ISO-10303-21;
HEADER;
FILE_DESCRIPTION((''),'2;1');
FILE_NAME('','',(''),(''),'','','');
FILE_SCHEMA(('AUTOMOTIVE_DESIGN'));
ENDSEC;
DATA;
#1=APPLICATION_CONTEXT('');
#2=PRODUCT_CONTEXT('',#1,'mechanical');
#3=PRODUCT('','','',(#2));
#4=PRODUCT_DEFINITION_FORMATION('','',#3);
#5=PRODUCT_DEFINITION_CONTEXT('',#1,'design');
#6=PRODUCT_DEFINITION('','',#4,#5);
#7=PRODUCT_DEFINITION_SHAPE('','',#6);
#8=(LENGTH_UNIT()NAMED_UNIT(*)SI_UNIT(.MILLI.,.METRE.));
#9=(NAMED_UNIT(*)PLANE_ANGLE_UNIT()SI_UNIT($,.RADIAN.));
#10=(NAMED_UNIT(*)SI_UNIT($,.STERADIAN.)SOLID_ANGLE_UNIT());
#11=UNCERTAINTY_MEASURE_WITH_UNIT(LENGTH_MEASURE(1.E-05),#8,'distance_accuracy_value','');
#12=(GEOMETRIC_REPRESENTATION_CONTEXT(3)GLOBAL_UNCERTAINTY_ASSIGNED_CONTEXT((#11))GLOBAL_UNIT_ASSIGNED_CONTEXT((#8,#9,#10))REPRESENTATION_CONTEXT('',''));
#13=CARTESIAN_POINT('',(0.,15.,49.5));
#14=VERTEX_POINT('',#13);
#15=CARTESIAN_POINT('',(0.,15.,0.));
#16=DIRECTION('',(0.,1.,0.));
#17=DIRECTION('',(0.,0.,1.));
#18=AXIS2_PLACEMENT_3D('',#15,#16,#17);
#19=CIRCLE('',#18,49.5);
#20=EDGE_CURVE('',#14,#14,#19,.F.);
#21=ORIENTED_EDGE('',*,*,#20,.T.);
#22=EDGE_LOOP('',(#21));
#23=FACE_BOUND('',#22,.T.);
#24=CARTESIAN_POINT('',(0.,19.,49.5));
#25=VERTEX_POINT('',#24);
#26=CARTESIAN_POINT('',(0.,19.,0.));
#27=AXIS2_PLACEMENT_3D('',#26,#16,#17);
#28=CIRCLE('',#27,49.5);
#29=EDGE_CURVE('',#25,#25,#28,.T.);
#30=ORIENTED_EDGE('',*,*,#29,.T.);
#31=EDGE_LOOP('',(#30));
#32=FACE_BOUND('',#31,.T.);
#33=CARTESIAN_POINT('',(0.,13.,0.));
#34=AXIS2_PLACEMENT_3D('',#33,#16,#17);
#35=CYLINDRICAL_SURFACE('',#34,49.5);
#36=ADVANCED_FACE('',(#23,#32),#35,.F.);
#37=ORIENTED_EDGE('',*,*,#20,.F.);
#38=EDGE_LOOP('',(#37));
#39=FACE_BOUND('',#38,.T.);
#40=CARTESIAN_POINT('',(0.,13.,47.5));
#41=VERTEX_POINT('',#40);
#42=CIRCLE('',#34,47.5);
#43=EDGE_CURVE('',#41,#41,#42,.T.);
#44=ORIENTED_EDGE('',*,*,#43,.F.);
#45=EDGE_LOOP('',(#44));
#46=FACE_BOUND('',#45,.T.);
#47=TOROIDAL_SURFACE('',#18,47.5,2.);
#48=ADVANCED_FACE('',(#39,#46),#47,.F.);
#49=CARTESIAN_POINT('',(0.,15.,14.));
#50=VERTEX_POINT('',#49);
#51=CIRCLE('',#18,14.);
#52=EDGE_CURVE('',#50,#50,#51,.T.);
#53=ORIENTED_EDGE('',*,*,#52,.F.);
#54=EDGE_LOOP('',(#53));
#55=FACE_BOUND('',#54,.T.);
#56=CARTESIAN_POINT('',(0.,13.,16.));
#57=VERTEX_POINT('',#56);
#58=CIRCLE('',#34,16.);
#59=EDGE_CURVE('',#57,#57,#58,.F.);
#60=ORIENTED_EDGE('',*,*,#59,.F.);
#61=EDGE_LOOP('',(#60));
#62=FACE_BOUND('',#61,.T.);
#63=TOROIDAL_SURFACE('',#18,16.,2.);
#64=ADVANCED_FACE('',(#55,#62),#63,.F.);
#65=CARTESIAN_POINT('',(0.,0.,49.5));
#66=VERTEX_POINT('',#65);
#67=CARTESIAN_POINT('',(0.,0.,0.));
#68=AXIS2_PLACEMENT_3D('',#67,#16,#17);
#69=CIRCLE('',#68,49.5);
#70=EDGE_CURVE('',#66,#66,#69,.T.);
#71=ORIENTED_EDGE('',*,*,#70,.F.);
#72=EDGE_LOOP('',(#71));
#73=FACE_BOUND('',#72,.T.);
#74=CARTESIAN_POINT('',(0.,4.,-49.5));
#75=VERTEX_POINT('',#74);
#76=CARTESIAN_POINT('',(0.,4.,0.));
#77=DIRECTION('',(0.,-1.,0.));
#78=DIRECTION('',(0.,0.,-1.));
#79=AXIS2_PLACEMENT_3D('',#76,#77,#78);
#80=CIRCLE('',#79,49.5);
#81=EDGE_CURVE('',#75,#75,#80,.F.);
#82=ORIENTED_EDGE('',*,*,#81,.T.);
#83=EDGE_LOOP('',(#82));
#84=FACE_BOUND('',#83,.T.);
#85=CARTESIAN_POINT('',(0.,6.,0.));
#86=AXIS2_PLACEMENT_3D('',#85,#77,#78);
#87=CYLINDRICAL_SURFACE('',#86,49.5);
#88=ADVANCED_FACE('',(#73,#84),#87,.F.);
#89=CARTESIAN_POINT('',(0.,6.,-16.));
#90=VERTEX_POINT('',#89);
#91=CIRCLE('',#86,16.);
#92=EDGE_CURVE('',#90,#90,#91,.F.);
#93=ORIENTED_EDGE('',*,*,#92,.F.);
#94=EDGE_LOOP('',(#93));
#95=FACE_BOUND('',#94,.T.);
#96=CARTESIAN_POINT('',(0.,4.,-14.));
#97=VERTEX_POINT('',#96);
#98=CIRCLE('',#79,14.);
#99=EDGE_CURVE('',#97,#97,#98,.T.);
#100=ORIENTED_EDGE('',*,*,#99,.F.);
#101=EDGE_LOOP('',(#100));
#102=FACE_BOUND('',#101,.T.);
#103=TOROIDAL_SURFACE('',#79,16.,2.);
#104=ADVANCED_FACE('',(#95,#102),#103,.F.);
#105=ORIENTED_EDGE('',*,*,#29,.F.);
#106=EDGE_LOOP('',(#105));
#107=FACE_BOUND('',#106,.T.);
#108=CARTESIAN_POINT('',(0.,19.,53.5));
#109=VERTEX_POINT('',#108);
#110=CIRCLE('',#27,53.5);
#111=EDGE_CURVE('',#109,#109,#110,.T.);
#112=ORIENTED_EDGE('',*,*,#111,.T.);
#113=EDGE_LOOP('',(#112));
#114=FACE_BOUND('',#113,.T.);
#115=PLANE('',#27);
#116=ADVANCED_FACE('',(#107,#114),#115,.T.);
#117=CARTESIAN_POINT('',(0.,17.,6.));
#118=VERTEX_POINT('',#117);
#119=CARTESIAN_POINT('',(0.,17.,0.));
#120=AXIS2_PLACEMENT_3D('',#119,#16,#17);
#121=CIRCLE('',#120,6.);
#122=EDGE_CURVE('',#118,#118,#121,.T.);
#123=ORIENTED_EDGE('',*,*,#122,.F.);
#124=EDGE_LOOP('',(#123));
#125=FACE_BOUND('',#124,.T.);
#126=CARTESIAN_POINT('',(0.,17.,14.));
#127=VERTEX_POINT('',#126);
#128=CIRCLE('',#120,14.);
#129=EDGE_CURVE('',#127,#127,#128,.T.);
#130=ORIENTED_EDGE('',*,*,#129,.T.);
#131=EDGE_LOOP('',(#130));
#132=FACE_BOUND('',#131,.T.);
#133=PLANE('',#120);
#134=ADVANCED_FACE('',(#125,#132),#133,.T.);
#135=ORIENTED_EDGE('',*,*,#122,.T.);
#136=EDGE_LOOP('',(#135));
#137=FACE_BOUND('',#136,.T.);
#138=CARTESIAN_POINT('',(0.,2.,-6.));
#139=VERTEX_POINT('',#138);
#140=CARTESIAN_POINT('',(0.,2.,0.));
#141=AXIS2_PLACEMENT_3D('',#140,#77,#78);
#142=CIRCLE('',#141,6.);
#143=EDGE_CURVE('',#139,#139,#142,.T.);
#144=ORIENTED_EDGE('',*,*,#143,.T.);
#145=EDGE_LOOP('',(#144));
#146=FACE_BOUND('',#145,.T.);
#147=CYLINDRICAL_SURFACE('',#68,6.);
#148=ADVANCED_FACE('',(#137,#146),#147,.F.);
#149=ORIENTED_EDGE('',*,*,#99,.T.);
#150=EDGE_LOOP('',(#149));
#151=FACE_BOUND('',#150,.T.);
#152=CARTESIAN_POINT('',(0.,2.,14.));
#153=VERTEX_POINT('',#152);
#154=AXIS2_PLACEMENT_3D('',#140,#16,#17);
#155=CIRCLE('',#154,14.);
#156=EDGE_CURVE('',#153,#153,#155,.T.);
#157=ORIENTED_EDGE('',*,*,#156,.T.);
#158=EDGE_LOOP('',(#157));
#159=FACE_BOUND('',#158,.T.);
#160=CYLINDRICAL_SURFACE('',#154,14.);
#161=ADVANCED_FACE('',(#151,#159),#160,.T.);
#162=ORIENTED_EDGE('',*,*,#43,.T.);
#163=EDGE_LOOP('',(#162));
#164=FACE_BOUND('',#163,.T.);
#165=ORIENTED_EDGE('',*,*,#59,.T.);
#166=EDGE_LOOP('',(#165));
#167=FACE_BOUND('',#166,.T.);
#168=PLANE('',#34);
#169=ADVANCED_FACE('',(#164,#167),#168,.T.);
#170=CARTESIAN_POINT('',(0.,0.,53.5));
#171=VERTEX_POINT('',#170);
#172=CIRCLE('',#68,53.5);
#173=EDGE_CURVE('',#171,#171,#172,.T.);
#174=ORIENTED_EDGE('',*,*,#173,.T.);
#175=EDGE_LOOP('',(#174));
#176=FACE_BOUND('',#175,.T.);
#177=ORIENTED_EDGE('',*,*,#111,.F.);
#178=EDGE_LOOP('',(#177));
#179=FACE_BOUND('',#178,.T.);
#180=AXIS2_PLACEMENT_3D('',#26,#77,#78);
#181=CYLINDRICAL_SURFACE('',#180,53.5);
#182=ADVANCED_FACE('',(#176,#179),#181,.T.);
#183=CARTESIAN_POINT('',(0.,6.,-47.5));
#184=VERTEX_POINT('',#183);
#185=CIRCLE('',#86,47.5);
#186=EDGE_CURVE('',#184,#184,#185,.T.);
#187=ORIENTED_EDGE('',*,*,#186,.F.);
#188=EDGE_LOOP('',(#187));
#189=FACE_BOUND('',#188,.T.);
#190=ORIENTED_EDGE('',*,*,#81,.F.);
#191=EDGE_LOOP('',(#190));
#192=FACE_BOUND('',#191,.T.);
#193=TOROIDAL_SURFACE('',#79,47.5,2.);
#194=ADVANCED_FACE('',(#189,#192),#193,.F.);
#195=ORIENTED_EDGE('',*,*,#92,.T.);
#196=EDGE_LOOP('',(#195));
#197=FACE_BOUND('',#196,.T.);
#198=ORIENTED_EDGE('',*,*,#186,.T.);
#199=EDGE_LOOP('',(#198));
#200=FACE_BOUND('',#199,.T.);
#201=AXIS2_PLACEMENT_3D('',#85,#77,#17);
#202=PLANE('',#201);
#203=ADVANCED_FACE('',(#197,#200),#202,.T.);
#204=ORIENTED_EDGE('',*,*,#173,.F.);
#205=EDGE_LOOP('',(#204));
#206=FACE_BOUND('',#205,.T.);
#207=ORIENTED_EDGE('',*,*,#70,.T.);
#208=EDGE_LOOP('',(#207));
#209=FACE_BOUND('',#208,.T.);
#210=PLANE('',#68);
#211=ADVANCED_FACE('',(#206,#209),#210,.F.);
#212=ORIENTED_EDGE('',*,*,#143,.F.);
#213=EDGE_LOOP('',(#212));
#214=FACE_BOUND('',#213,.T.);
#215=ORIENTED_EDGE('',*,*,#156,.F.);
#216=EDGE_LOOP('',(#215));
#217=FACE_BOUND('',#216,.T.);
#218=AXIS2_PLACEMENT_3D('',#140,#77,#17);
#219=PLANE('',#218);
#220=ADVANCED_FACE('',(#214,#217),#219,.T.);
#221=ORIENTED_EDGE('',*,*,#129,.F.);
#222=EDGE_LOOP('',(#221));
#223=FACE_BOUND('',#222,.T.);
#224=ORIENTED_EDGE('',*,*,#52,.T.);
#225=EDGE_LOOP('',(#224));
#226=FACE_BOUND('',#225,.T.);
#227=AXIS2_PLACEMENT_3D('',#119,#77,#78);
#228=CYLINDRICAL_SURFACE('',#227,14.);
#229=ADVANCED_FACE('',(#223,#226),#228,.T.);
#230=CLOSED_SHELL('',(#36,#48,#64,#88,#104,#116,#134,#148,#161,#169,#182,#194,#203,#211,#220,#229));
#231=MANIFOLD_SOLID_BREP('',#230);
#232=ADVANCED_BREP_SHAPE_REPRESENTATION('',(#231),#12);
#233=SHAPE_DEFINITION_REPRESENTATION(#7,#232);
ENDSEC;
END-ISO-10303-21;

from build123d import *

# Parameters (mm, degrees)
SKETCH1_R            = 53.5
BOSS_EXTRUDE1_DEPTH  = 19
SKETCH2_R            = 49.5
CUT_EXTRUDE1_DEPTH   = 6
FILLET1_R            = 2
SKETCH3_R            = 14
BOSS_EXTRUDE2_DEPTH  = 4
FILLET2_R            = 2
FILLET1_OF_MIRROR1_R = 2
FILLET2_OF_MIRROR1_R = 2
SKETCH5_R            = 6
CUT_EXTRUDE2_DEPTH   = 18


with BuildPart() as part:
    # Sketch1 → Boss-Extrude1 (new body)
    with BuildSketch(Plane(origin=(0, 0, 0), x_dir=(1, 0, 0), z_dir=(0, 1, 0))):
        Circle(SKETCH1_R)
    extrude(amount=BOSS_EXTRUDE1_DEPTH)

    # Sketch2 → Cut-Extrude1 (cut)
    with BuildSketch(Plane(origin=(0, 19, 0), x_dir=(1, 0, 0), z_dir=(0, 1, 0))):
        Circle(SKETCH2_R)
    cut_extrude1 = extrude(amount=-CUT_EXTRUDE1_DEPTH, mode=Mode.SUBTRACT)

    # Fillet1
    fillet1_edges = [part.edges().sort_by_distance(p)[0] for p in [
        (-49.5, 13, 0),
    ]]
    fillet(fillet1_edges, radius=FILLET1_R)

    # Sketch3 → Boss-Extrude2 (add)
    with BuildSketch(Plane(origin=(0, 13, 0), x_dir=(1, 0, 0), z_dir=(0, 1, 0))):
        Circle(SKETCH3_R)
    boss_extrude2 = extrude(amount=BOSS_EXTRUDE2_DEPTH)

    # Fillet2
    fillet2_edges = [part.edges().sort_by_distance(p)[0] for p in [
        (-14, 13, 0),
    ]]
    fillet(fillet2_edges, radius=FILLET2_R)

    # Mirror1: Cut-Extrude1, Boss-Extrude2 across plane
    add(cut_extrude1.mirror(Plane.ZX.offset(9.5)), mode=Mode.SUBTRACT)
    add(boss_extrude2.mirror(Plane.ZX.offset(9.5)))

    # Fillet1 of Mirror1
    fillet1_of_mirror1_edges = [part.edges().sort_by_distance(p)[0] for p in [
        (-49.5, 6, 0),
    ]]
    fillet(fillet1_of_mirror1_edges, radius=FILLET1_OF_MIRROR1_R)

    # Fillet2 of Mirror1
    fillet2_of_mirror1_edges = [part.edges().sort_by_distance(p)[0] for p in [
        (-14, 6, 0),
    ]]
    fillet(fillet2_of_mirror1_edges, radius=FILLET2_OF_MIRROR1_R)

    # Sketch5 → Cut-Extrude2 (cut, through all)
    with BuildSketch(Plane(origin=(0, 17, 0), x_dir=(1, 0, 0), z_dir=(0, 1, 0))):
        Circle(SKETCH5_R)
    extrude(amount=-CUT_EXTRUDE2_DEPTH, mode=Mode.SUBTRACT)


solid = part.part
